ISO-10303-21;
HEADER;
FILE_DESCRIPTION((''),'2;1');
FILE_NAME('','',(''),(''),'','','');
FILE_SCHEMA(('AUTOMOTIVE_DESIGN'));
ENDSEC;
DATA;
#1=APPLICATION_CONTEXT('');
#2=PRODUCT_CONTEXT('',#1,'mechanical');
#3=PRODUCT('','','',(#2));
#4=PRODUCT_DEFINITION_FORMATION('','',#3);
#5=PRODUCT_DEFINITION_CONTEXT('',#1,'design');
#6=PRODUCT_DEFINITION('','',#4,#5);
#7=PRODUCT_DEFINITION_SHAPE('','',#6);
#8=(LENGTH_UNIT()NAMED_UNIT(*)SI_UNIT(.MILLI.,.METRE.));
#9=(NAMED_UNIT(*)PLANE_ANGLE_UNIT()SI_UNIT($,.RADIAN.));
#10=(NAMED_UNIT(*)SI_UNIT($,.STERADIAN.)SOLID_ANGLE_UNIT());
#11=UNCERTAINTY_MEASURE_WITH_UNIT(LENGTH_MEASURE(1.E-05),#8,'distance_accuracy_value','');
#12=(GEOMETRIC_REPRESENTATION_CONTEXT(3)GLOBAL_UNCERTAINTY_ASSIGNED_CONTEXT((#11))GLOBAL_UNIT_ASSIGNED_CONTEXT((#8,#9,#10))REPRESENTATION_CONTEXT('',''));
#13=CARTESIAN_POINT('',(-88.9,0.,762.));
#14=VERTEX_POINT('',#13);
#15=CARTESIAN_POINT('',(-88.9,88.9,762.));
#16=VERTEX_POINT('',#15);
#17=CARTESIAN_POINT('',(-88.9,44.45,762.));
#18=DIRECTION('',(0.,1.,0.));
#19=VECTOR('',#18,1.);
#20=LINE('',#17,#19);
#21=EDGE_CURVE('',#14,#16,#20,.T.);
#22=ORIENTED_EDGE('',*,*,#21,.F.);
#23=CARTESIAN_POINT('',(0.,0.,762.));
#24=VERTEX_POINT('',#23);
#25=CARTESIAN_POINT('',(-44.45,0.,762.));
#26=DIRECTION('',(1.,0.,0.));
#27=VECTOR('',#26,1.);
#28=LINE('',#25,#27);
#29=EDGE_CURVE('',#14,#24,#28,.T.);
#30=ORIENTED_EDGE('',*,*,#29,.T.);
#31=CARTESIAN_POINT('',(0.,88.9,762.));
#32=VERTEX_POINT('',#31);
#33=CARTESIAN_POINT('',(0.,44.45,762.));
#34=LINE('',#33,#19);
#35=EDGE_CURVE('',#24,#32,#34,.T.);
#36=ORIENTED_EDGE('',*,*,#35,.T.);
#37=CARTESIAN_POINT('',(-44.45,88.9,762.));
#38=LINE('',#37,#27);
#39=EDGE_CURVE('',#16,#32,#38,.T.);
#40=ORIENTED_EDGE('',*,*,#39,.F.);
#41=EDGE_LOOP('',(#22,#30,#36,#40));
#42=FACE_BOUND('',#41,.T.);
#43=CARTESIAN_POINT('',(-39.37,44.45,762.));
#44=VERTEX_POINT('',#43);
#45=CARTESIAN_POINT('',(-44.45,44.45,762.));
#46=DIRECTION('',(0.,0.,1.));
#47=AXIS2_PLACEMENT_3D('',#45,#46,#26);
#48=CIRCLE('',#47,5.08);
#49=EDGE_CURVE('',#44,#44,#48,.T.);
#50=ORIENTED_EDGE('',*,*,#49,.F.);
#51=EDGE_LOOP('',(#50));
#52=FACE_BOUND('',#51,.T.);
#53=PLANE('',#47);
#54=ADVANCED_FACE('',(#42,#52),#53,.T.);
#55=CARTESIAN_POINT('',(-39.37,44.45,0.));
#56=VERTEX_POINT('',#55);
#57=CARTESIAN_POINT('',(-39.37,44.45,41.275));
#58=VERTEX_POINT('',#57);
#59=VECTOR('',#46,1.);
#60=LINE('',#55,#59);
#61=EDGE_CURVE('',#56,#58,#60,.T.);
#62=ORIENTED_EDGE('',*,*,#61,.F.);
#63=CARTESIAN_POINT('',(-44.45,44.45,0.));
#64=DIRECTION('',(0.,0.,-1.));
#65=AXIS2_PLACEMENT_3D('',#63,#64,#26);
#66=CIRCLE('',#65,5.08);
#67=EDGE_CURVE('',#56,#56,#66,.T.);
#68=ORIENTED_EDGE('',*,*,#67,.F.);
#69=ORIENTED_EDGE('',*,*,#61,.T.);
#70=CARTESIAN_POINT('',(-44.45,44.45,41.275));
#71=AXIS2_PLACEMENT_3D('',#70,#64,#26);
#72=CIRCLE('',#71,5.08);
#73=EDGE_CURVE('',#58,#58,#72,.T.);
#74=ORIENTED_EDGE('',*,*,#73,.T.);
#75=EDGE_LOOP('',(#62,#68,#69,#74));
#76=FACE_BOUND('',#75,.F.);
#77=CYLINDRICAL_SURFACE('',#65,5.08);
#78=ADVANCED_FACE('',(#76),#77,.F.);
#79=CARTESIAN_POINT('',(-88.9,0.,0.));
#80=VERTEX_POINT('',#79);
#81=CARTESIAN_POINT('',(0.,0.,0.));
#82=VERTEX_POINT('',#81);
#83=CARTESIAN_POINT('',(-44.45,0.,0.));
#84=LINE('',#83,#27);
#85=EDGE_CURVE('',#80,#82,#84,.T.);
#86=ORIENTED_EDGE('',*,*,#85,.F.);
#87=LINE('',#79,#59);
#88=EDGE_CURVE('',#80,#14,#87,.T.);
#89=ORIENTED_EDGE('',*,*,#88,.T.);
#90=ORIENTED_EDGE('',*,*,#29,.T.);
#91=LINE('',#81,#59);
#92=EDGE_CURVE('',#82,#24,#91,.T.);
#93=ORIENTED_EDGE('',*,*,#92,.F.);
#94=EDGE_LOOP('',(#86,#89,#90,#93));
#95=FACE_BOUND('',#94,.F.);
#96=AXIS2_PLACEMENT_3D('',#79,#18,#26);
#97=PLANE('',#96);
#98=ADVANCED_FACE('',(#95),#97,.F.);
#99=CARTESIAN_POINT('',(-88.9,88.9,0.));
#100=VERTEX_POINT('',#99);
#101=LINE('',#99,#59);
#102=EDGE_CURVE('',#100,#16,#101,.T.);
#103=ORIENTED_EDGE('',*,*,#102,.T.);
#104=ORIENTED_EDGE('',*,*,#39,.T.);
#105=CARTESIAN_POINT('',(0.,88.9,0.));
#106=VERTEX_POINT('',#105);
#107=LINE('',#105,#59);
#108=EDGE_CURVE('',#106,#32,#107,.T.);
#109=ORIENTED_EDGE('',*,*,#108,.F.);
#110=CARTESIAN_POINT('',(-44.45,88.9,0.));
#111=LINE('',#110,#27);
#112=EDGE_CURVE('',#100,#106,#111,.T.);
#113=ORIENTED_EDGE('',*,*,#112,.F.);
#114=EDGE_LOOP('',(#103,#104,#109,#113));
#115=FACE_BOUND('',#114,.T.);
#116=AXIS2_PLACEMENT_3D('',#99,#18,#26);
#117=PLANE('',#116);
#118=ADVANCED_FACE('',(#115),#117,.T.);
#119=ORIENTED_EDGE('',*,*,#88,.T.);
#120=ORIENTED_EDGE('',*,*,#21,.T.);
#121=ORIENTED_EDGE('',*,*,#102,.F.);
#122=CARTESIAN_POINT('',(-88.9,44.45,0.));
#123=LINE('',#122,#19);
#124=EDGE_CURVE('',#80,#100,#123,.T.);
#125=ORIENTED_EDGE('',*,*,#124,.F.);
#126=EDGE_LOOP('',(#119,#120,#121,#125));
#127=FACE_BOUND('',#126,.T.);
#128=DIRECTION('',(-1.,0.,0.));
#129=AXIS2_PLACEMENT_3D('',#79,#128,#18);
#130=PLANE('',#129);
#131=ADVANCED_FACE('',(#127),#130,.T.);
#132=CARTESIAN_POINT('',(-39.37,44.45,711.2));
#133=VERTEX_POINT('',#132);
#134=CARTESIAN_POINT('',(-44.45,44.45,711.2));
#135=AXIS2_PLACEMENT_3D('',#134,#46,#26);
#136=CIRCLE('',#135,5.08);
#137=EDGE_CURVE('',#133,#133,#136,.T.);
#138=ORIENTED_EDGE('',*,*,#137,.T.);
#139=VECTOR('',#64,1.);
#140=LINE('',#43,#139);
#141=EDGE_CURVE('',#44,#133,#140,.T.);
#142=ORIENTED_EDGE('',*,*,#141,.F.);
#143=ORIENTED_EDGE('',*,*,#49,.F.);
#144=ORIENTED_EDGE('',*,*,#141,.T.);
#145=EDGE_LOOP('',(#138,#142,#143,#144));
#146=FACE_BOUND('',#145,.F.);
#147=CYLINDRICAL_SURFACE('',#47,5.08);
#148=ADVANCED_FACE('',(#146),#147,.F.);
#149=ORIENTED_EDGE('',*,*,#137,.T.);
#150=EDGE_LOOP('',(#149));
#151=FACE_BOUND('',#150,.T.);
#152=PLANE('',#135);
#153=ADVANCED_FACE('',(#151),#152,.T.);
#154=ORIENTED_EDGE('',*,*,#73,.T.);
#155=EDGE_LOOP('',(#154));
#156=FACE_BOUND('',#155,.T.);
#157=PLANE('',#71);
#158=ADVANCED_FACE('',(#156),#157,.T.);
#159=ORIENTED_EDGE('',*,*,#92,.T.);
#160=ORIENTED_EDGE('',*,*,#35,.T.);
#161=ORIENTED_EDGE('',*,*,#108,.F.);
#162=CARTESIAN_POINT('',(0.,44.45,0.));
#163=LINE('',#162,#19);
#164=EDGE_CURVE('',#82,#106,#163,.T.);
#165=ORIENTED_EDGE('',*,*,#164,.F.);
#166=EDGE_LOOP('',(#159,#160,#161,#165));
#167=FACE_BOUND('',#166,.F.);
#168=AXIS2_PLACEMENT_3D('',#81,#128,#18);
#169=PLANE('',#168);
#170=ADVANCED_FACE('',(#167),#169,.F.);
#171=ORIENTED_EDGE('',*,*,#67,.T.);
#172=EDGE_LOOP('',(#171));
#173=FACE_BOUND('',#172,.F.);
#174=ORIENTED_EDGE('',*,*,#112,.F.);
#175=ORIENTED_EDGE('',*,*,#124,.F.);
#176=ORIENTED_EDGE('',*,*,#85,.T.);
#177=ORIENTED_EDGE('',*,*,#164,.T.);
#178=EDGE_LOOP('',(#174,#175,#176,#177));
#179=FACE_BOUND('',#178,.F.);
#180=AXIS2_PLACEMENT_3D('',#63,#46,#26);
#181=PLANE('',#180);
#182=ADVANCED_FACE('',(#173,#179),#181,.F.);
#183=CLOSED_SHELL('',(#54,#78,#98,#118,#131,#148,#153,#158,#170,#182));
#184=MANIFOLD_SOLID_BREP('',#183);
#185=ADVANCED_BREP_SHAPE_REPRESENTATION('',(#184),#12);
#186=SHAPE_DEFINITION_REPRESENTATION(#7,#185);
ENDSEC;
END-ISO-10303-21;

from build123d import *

# Parameters (mm, degrees)
F0_W     = 88.9
F0_H     = 88.9
F1_DEPTH = 762
F2_R     = 5.08
F3_DEPTH = 50.8
F4_R     = 5.08
F5_DEPTH = 41.275


with BuildPart() as f1:
    # F0 (on Top) → F1 (new body)
    with BuildSketch(Plane.XY):
        with Locations((-44.45, 44.45)):
            Rectangle(F0_W, F0_H)
    extrude(amount=F1_DEPTH)

    # F2 (on face) → F3 (cut)
    with BuildSketch(Plane.XY.offset(762)):
        with Locations((-44.45, 44.45)):
            Circle(F2_R)
    extrude(amount=-F3_DEPTH, mode=Mode.SUBTRACT)

    # F4 (on face) → F5 (cut)
    with BuildSketch(Plane(origin=(0, 0, 0), x_dir=(1, 0, 0), z_dir=(0, 0, -1))):
        with Locations((-44.45, -44.45)):
            Circle(F4_R)
    extrude(amount=-F5_DEPTH, mode=Mode.SUBTRACT)


solid = f1.part
